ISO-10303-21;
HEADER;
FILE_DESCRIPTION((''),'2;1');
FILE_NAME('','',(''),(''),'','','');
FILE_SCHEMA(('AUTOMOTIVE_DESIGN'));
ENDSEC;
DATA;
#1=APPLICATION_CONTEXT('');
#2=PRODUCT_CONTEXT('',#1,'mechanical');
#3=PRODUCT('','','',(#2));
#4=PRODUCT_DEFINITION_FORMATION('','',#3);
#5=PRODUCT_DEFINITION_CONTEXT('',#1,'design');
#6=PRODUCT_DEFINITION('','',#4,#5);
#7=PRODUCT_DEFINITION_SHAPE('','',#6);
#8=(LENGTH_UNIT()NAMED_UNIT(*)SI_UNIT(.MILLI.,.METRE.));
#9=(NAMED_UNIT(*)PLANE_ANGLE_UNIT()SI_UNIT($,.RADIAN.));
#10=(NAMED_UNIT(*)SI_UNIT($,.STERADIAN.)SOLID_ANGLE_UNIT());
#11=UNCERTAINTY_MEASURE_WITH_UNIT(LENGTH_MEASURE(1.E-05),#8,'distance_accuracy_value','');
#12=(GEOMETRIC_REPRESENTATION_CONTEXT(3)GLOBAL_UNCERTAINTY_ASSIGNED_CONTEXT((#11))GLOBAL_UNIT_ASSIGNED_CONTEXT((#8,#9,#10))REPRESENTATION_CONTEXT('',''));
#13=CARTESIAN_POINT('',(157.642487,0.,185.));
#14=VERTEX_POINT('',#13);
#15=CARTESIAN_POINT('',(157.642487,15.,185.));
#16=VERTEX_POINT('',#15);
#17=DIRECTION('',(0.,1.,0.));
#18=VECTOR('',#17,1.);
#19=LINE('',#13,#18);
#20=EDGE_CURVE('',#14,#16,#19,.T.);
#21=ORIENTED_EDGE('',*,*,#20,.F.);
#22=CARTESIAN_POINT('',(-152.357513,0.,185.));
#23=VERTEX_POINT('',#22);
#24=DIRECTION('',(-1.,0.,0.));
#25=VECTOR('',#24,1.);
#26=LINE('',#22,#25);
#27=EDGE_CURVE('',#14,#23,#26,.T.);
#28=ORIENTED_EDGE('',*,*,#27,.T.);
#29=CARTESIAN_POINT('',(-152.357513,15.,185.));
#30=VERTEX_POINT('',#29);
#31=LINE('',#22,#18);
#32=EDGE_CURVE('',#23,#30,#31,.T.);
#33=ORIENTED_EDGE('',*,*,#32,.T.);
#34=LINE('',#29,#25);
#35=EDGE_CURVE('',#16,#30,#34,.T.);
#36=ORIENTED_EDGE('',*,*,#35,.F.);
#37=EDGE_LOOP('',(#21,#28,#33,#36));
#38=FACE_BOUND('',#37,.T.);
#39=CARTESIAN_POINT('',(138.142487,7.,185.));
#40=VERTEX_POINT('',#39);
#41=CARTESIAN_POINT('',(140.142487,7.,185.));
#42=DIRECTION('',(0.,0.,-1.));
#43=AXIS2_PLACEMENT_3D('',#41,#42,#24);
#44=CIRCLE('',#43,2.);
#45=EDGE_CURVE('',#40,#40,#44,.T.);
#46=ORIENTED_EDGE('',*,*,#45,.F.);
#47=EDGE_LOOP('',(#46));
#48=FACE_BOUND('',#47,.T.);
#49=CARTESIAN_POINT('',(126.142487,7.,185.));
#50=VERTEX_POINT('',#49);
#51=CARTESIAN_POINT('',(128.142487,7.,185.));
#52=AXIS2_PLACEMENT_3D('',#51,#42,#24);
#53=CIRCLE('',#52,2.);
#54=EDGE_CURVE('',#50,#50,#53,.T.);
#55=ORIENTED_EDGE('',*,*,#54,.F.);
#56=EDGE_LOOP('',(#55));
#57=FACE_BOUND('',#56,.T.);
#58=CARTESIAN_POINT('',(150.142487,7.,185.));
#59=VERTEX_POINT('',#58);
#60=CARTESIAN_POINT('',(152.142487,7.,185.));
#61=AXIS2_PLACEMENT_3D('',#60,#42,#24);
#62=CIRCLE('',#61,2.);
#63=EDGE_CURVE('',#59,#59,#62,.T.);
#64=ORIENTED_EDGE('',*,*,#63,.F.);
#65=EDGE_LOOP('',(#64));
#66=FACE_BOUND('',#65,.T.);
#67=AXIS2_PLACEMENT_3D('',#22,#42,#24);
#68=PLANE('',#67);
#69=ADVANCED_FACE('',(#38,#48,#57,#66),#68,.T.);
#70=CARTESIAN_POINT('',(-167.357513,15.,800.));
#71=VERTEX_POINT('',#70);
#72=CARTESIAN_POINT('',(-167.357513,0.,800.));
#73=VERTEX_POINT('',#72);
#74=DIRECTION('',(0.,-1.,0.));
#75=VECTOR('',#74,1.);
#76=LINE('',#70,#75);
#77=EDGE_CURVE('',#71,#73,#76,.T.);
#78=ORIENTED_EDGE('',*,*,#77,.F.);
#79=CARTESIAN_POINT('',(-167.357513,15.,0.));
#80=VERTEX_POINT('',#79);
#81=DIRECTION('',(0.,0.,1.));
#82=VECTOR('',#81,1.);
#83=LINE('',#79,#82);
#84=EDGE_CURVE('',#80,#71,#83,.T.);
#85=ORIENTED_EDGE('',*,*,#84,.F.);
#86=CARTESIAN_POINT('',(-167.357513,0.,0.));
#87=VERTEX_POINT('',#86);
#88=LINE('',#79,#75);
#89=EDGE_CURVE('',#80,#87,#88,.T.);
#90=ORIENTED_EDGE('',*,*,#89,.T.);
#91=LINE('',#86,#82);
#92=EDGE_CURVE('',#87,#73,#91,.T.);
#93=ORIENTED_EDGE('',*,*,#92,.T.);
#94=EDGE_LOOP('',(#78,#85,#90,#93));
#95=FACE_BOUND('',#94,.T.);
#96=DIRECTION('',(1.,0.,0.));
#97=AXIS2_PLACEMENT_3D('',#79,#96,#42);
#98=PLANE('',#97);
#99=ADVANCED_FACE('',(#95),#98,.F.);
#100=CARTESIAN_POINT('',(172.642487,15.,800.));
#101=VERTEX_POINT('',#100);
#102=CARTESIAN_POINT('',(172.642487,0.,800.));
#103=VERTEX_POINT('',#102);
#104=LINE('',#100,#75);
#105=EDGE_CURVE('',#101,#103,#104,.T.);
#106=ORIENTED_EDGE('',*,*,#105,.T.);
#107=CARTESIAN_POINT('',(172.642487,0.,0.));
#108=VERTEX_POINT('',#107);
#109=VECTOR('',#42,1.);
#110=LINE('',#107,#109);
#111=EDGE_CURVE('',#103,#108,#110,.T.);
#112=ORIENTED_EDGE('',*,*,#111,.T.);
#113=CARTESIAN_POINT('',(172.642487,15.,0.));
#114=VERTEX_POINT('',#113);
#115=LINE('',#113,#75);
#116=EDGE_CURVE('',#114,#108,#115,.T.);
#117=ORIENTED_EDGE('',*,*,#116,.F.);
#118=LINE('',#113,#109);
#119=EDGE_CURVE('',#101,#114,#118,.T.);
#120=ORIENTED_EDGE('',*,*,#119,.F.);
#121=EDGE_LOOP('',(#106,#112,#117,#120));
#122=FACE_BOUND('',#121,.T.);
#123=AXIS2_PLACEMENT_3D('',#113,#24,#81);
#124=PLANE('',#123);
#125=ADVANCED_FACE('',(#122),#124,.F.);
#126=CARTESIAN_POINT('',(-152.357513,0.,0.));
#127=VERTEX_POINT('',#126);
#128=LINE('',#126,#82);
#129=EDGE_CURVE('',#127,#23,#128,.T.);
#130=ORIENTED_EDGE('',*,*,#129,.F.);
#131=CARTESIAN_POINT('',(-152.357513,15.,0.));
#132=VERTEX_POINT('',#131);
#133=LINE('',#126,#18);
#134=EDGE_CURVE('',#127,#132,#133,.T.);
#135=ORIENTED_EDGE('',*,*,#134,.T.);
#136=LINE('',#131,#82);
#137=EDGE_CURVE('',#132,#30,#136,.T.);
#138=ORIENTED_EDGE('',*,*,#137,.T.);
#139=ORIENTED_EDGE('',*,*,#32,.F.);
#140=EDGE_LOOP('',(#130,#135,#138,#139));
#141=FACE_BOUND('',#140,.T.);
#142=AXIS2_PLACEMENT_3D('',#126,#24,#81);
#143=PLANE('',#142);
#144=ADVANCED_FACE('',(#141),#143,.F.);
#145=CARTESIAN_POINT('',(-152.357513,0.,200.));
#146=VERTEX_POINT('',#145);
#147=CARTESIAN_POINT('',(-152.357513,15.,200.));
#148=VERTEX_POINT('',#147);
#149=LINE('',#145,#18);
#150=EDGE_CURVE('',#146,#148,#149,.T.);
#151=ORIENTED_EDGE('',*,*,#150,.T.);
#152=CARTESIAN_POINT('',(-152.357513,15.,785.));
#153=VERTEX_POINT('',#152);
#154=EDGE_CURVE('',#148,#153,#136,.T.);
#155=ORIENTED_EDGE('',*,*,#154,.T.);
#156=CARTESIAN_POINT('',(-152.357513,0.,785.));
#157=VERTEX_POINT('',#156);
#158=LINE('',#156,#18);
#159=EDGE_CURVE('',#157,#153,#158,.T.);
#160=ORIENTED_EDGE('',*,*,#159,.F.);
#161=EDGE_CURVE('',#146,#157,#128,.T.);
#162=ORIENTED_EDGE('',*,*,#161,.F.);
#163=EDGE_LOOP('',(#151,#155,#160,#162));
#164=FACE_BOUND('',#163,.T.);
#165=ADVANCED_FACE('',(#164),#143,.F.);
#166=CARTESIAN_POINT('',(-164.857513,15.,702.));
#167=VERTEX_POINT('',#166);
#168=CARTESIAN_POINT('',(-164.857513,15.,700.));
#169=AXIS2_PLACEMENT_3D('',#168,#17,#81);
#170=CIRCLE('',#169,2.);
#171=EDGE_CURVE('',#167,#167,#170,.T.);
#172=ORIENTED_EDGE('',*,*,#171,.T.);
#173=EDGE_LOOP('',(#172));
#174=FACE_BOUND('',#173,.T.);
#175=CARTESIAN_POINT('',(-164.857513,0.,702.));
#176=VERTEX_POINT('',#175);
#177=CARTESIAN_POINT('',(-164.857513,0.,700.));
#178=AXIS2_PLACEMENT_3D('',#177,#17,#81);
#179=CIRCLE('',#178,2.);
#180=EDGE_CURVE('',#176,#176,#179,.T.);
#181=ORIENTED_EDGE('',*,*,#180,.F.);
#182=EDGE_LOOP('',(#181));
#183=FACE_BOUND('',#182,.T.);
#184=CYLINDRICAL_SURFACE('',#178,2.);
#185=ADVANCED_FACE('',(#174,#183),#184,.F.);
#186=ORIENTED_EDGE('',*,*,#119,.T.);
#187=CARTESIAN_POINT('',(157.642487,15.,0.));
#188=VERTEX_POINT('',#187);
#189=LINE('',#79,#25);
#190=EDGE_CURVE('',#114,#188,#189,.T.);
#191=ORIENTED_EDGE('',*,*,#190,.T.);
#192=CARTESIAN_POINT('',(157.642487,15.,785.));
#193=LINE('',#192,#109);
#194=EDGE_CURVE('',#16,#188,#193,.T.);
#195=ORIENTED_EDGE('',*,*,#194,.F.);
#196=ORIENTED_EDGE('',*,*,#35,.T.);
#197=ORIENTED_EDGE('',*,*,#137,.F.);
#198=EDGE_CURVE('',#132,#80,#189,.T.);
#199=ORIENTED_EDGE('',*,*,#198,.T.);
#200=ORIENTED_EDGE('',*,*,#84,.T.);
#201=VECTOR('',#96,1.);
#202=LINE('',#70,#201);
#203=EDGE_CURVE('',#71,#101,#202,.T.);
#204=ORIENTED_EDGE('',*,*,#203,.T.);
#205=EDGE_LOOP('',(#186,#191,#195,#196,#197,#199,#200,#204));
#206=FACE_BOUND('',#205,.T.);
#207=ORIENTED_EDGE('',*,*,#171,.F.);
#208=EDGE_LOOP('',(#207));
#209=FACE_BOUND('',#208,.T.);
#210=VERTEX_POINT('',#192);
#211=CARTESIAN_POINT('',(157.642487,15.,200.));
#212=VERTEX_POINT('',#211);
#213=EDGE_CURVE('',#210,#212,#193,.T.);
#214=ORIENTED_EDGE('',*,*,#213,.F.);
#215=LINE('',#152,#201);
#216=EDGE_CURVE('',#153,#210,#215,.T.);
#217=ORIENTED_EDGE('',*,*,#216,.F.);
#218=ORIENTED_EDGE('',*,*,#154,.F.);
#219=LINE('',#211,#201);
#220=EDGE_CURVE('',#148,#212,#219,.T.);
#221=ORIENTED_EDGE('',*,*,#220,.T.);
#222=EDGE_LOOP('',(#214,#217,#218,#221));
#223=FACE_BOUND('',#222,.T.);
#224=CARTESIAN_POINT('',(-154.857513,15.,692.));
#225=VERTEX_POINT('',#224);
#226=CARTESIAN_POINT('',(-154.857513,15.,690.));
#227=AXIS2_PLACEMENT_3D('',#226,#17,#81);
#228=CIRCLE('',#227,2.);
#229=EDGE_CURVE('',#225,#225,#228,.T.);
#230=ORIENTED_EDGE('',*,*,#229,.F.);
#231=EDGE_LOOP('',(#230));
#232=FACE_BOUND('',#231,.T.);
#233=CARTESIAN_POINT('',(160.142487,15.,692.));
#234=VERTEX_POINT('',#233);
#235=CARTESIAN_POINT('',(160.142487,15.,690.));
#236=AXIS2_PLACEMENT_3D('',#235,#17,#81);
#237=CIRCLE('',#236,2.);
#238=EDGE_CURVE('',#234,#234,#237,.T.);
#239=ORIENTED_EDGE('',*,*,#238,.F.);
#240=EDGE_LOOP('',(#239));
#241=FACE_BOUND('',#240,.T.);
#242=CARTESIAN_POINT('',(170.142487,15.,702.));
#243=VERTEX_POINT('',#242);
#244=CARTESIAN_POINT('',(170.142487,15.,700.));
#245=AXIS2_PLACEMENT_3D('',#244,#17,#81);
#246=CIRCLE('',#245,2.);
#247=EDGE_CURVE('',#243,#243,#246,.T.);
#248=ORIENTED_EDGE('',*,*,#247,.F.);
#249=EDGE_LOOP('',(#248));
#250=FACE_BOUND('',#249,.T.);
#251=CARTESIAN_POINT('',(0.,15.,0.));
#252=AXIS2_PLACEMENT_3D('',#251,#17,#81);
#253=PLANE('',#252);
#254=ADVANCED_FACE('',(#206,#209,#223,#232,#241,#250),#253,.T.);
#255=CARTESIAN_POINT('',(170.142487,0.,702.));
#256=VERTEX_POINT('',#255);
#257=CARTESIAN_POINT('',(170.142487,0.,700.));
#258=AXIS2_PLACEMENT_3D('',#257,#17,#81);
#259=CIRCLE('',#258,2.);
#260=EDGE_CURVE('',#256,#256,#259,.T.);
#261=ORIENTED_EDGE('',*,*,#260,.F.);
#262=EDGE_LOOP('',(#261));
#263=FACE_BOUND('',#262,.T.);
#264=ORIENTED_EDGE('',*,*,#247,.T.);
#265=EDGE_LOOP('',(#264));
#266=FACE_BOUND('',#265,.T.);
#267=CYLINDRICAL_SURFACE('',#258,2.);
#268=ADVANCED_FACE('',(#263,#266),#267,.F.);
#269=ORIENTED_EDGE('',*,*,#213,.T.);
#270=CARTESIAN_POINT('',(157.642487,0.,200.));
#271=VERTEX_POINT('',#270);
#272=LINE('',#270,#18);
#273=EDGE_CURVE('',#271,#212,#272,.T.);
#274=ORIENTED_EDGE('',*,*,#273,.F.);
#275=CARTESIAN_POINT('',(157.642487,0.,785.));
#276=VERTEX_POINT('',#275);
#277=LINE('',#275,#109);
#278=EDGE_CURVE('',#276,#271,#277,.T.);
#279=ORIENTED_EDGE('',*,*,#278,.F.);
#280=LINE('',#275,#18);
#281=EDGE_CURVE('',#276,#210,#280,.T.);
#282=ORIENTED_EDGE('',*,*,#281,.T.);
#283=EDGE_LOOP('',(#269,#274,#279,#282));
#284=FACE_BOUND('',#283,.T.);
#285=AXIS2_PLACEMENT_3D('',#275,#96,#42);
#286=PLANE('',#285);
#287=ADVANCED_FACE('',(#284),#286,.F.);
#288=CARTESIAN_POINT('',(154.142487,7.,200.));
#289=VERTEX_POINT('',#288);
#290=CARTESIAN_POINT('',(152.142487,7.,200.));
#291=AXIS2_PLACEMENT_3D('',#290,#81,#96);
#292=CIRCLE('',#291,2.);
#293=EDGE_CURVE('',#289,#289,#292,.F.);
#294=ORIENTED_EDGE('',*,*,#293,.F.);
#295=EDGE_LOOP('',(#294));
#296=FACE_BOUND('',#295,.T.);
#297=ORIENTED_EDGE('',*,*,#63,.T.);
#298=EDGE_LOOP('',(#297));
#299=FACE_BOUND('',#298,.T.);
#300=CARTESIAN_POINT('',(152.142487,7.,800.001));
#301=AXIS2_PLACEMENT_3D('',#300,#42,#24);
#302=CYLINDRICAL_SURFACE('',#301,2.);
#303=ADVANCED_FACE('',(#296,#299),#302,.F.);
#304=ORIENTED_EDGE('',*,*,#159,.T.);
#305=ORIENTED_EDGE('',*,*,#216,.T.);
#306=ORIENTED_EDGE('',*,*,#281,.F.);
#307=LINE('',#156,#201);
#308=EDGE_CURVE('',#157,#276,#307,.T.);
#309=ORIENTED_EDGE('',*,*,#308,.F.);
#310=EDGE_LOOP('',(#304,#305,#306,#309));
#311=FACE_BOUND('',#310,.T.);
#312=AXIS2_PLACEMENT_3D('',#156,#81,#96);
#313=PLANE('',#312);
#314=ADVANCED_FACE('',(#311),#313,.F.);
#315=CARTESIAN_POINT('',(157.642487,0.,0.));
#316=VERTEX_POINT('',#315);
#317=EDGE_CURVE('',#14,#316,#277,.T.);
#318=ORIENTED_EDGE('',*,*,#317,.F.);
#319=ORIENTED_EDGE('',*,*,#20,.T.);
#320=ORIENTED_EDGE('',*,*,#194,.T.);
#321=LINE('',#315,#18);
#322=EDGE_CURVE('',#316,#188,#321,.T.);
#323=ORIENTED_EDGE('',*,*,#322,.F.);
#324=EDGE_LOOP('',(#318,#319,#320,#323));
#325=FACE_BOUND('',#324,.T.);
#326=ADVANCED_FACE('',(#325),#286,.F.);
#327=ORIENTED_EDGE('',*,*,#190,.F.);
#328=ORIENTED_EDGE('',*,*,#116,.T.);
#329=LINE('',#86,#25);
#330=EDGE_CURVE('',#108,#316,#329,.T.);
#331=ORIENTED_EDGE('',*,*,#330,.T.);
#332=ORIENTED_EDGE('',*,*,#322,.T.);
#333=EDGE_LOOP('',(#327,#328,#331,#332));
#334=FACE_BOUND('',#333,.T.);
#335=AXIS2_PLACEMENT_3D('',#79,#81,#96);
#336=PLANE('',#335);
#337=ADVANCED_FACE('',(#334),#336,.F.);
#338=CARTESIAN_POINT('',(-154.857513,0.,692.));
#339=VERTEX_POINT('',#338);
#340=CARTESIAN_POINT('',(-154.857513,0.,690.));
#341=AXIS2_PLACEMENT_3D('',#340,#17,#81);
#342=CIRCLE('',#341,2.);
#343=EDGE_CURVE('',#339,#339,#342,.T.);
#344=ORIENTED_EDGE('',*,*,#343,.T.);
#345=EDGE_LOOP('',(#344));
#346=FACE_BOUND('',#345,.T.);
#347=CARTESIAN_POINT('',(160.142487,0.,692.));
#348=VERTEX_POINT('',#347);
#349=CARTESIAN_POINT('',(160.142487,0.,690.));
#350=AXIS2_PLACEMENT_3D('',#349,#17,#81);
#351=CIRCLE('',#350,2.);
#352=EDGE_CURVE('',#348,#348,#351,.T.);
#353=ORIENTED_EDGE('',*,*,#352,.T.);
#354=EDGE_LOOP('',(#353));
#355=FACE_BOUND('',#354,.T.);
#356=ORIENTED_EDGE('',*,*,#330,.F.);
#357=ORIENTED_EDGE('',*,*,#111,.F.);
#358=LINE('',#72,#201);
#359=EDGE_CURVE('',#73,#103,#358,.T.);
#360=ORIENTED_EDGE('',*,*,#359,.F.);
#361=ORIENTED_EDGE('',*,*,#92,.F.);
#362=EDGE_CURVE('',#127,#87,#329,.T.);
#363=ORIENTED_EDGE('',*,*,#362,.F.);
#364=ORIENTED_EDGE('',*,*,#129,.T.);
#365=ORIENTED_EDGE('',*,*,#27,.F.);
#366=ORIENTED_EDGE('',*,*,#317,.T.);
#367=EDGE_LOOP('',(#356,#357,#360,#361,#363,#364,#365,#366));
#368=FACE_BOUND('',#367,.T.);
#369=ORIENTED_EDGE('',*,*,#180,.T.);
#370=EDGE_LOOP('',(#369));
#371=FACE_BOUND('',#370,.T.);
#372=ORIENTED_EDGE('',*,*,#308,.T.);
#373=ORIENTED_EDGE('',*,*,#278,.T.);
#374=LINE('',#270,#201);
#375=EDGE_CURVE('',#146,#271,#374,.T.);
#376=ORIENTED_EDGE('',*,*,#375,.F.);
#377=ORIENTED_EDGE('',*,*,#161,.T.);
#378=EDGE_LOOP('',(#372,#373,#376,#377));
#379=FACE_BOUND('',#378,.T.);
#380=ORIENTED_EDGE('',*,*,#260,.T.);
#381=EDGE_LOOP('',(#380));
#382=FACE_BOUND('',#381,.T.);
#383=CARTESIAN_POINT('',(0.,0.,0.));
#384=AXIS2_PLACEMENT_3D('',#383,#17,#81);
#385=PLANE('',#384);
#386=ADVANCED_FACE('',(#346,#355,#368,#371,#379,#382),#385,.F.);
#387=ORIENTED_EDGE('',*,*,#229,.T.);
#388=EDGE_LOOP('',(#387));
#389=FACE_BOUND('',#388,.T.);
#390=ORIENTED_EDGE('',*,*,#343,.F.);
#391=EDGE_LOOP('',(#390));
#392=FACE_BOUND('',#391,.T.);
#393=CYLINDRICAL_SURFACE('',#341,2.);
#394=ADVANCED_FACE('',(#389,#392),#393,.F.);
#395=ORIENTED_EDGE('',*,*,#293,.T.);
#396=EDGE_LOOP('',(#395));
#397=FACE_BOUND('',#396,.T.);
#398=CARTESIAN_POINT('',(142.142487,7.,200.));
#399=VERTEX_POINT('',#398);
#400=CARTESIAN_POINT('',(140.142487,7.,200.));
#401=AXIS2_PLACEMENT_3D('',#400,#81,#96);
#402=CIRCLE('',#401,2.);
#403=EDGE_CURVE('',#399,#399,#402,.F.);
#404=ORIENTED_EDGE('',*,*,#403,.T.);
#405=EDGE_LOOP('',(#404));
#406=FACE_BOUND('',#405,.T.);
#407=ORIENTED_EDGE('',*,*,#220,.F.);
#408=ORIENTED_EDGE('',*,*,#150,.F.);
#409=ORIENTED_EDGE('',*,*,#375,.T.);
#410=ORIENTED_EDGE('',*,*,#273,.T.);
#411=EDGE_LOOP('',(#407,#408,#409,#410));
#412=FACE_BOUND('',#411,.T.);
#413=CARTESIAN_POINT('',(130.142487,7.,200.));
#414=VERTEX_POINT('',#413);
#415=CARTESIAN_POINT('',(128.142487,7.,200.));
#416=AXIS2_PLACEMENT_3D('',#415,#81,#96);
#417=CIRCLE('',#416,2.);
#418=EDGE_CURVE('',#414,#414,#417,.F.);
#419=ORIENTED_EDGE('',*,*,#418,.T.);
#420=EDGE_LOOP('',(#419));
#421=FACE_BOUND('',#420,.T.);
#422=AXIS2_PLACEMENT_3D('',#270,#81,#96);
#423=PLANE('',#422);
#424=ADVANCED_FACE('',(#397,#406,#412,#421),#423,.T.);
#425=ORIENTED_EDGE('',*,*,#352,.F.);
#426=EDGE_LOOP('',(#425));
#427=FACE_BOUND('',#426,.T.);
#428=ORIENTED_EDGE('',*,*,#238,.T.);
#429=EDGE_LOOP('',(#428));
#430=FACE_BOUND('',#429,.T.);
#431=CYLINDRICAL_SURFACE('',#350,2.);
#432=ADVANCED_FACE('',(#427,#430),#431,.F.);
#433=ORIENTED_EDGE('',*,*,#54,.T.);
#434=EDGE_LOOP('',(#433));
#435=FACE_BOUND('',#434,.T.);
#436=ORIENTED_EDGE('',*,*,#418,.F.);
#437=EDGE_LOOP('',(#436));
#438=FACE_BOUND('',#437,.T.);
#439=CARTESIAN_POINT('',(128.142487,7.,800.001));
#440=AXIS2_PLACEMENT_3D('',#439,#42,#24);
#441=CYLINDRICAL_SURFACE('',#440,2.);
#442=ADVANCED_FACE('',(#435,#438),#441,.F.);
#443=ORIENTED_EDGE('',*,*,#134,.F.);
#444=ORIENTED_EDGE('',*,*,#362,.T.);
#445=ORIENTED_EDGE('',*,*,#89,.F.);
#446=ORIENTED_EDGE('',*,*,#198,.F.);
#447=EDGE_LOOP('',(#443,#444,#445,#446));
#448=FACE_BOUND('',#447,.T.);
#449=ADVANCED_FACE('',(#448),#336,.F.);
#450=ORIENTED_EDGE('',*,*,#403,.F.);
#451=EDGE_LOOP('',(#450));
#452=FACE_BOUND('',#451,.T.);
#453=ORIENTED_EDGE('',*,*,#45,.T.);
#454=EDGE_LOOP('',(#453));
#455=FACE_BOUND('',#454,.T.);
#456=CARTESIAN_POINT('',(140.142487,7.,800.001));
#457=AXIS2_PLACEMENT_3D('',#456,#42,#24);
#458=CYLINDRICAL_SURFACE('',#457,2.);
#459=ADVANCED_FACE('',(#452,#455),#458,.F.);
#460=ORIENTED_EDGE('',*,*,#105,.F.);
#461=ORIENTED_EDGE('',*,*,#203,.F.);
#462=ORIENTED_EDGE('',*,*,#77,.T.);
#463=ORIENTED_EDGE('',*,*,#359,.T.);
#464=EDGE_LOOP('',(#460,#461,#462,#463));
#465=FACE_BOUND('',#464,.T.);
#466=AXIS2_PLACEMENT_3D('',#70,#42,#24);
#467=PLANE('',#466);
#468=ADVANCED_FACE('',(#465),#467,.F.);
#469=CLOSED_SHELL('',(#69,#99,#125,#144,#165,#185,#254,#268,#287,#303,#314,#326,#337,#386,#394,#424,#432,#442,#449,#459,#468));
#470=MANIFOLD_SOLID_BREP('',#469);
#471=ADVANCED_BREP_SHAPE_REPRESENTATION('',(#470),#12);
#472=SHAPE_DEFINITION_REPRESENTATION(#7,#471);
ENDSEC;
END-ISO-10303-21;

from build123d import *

# Parameters (mm, degrees)
SKETCH_2_W          = 340
SKETCH_2_H          = 800
EXTRUDE_1_DEPTH     = 15
SKETCH_3_W          = 310
SKETCH_3_H          = 785
CUT_EXTRUDE_1_DEPTH = 15
SKETCH_8_W          = 310
SKETCH_8_H          = 15
EXTRUDE_3_DEPTH     = 15
CUT_EXTRUDE_5_REACH = 640.949
SKETCH_10_R         = 2
SKETCH_11_R         = 2
CUT_EXTRUDE_6_DEPTH = 819.553864039


with BuildPart() as part:
    # 草图2 → 凸台-拉伸1 (new body)
    with BuildSketch(Plane(origin=(0, 0, 0), x_dir=(1, 0, 0), z_dir=(0, 1, 0))):
        with Locations((2.642487047, -400)):
            Rectangle(SKETCH_2_W, SKETCH_2_H)
    extrude(amount=EXTRUDE_1_DEPTH)

    # 草图3 → 切除-拉伸1 (cut)
    with BuildSketch(Plane(origin=(0, 15, 0), x_dir=(1, 0, 0), z_dir=(0, 1, 0))):
        with Locations((2.642487047, -392.5)):
            Rectangle(SKETCH_3_W, SKETCH_3_H)
    extrude(amount=-CUT_EXTRUDE_1_DEPTH, mode=Mode.SUBTRACT)

    # 草图8 → 凸台-拉伸3 (add)
    with BuildSketch(Plane(origin=(0, 15, 0), x_dir=(1, 0, 0), z_dir=(0, 1, 0))):
        with Locations((2.642487047, -192.5)):
            Rectangle(SKETCH_8_W, SKETCH_8_H)
    extrude(amount=-EXTRUDE_3_DEPTH)

    # 草图10 → 切除-拉伸5 (cut, up to next)
    with BuildSketch(Plane(origin=(0, 0, 185), x_dir=(-1, 0, 0), z_dir=(0, 0, -1)), mode=Mode.PRIVATE) as cut_extrude_5_sk1:
        with Locations((-152.142487047, 7)):
            Circle(SKETCH_10_R)
    cut_extrude_5_tool1 = extrude(cut_extrude_5_sk1.sketch, amount=-CUT_EXTRUDE_5_REACH, mode=Mode.PRIVATE) & part.part
    # 草图10 → 切除-拉伸5 (cut, up to next)
    with BuildSketch(Plane(origin=(0, 0, 185), x_dir=(-1, 0, 0), z_dir=(0, 0, -1)), mode=Mode.PRIVATE) as cut_extrude_5_sk2:
        with Locations((-140.142487047, 7)):
            Circle(SKETCH_10_R)
    cut_extrude_5_tool2 = extrude(cut_extrude_5_sk2.sketch, amount=-CUT_EXTRUDE_5_REACH, mode=Mode.PRIVATE) & part.part
    # 草图10 → 切除-拉伸5 (cut, up to next)
    with BuildSketch(Plane(origin=(0, 0, 185), x_dir=(-1, 0, 0), z_dir=(0, 0, -1)), mode=Mode.PRIVATE) as cut_extrude_5_sk3:
        with Locations((-128.142487047, 7)):
            Circle(SKETCH_10_R)
    cut_extrude_5_tool3 = extrude(cut_extrude_5_sk3.sketch, amount=-CUT_EXTRUDE_5_REACH, mode=Mode.PRIVATE) & part.part
    add(cut_extrude_5_tool1.solids().sort_by_distance((152.142487, 7, 185))[0], mode=Mode.SUBTRACT)
    add(cut_extrude_5_tool2.solids().sort_by_distance((140.142487, 7, 185))[0], mode=Mode.SUBTRACT)
    add(cut_extrude_5_tool3.solids().sort_by_distance((128.142487, 7, 185))[0], mode=Mode.SUBTRACT)

    # 草图11 → 切除-拉伸6 (cut, through all)
    with BuildSketch(Plane(origin=(0, 15, 0), x_dir=(1, 0, 0), z_dir=(0, 1, 0))):
        with Locations(Location((160.142487047, -690, 0), (0, 0, 270))):
            Circle(SKETCH_11_R)
        with Locations(Location((170.142487047, -700, 0), (0, 0, 270))):
            Circle(SKETCH_11_R)
        with Locations(Location((-154.857512953, -690, 0), (0, 0, 270))):
            Circle(SKETCH_11_R)
        with Locations(Location((-164.857512953, -700, 0), (0, 0, 270))):
            Circle(SKETCH_11_R)
    extrude(amount=-CUT_EXTRUDE_6_DEPTH, mode=Mode.SUBTRACT)


solid = part.part
